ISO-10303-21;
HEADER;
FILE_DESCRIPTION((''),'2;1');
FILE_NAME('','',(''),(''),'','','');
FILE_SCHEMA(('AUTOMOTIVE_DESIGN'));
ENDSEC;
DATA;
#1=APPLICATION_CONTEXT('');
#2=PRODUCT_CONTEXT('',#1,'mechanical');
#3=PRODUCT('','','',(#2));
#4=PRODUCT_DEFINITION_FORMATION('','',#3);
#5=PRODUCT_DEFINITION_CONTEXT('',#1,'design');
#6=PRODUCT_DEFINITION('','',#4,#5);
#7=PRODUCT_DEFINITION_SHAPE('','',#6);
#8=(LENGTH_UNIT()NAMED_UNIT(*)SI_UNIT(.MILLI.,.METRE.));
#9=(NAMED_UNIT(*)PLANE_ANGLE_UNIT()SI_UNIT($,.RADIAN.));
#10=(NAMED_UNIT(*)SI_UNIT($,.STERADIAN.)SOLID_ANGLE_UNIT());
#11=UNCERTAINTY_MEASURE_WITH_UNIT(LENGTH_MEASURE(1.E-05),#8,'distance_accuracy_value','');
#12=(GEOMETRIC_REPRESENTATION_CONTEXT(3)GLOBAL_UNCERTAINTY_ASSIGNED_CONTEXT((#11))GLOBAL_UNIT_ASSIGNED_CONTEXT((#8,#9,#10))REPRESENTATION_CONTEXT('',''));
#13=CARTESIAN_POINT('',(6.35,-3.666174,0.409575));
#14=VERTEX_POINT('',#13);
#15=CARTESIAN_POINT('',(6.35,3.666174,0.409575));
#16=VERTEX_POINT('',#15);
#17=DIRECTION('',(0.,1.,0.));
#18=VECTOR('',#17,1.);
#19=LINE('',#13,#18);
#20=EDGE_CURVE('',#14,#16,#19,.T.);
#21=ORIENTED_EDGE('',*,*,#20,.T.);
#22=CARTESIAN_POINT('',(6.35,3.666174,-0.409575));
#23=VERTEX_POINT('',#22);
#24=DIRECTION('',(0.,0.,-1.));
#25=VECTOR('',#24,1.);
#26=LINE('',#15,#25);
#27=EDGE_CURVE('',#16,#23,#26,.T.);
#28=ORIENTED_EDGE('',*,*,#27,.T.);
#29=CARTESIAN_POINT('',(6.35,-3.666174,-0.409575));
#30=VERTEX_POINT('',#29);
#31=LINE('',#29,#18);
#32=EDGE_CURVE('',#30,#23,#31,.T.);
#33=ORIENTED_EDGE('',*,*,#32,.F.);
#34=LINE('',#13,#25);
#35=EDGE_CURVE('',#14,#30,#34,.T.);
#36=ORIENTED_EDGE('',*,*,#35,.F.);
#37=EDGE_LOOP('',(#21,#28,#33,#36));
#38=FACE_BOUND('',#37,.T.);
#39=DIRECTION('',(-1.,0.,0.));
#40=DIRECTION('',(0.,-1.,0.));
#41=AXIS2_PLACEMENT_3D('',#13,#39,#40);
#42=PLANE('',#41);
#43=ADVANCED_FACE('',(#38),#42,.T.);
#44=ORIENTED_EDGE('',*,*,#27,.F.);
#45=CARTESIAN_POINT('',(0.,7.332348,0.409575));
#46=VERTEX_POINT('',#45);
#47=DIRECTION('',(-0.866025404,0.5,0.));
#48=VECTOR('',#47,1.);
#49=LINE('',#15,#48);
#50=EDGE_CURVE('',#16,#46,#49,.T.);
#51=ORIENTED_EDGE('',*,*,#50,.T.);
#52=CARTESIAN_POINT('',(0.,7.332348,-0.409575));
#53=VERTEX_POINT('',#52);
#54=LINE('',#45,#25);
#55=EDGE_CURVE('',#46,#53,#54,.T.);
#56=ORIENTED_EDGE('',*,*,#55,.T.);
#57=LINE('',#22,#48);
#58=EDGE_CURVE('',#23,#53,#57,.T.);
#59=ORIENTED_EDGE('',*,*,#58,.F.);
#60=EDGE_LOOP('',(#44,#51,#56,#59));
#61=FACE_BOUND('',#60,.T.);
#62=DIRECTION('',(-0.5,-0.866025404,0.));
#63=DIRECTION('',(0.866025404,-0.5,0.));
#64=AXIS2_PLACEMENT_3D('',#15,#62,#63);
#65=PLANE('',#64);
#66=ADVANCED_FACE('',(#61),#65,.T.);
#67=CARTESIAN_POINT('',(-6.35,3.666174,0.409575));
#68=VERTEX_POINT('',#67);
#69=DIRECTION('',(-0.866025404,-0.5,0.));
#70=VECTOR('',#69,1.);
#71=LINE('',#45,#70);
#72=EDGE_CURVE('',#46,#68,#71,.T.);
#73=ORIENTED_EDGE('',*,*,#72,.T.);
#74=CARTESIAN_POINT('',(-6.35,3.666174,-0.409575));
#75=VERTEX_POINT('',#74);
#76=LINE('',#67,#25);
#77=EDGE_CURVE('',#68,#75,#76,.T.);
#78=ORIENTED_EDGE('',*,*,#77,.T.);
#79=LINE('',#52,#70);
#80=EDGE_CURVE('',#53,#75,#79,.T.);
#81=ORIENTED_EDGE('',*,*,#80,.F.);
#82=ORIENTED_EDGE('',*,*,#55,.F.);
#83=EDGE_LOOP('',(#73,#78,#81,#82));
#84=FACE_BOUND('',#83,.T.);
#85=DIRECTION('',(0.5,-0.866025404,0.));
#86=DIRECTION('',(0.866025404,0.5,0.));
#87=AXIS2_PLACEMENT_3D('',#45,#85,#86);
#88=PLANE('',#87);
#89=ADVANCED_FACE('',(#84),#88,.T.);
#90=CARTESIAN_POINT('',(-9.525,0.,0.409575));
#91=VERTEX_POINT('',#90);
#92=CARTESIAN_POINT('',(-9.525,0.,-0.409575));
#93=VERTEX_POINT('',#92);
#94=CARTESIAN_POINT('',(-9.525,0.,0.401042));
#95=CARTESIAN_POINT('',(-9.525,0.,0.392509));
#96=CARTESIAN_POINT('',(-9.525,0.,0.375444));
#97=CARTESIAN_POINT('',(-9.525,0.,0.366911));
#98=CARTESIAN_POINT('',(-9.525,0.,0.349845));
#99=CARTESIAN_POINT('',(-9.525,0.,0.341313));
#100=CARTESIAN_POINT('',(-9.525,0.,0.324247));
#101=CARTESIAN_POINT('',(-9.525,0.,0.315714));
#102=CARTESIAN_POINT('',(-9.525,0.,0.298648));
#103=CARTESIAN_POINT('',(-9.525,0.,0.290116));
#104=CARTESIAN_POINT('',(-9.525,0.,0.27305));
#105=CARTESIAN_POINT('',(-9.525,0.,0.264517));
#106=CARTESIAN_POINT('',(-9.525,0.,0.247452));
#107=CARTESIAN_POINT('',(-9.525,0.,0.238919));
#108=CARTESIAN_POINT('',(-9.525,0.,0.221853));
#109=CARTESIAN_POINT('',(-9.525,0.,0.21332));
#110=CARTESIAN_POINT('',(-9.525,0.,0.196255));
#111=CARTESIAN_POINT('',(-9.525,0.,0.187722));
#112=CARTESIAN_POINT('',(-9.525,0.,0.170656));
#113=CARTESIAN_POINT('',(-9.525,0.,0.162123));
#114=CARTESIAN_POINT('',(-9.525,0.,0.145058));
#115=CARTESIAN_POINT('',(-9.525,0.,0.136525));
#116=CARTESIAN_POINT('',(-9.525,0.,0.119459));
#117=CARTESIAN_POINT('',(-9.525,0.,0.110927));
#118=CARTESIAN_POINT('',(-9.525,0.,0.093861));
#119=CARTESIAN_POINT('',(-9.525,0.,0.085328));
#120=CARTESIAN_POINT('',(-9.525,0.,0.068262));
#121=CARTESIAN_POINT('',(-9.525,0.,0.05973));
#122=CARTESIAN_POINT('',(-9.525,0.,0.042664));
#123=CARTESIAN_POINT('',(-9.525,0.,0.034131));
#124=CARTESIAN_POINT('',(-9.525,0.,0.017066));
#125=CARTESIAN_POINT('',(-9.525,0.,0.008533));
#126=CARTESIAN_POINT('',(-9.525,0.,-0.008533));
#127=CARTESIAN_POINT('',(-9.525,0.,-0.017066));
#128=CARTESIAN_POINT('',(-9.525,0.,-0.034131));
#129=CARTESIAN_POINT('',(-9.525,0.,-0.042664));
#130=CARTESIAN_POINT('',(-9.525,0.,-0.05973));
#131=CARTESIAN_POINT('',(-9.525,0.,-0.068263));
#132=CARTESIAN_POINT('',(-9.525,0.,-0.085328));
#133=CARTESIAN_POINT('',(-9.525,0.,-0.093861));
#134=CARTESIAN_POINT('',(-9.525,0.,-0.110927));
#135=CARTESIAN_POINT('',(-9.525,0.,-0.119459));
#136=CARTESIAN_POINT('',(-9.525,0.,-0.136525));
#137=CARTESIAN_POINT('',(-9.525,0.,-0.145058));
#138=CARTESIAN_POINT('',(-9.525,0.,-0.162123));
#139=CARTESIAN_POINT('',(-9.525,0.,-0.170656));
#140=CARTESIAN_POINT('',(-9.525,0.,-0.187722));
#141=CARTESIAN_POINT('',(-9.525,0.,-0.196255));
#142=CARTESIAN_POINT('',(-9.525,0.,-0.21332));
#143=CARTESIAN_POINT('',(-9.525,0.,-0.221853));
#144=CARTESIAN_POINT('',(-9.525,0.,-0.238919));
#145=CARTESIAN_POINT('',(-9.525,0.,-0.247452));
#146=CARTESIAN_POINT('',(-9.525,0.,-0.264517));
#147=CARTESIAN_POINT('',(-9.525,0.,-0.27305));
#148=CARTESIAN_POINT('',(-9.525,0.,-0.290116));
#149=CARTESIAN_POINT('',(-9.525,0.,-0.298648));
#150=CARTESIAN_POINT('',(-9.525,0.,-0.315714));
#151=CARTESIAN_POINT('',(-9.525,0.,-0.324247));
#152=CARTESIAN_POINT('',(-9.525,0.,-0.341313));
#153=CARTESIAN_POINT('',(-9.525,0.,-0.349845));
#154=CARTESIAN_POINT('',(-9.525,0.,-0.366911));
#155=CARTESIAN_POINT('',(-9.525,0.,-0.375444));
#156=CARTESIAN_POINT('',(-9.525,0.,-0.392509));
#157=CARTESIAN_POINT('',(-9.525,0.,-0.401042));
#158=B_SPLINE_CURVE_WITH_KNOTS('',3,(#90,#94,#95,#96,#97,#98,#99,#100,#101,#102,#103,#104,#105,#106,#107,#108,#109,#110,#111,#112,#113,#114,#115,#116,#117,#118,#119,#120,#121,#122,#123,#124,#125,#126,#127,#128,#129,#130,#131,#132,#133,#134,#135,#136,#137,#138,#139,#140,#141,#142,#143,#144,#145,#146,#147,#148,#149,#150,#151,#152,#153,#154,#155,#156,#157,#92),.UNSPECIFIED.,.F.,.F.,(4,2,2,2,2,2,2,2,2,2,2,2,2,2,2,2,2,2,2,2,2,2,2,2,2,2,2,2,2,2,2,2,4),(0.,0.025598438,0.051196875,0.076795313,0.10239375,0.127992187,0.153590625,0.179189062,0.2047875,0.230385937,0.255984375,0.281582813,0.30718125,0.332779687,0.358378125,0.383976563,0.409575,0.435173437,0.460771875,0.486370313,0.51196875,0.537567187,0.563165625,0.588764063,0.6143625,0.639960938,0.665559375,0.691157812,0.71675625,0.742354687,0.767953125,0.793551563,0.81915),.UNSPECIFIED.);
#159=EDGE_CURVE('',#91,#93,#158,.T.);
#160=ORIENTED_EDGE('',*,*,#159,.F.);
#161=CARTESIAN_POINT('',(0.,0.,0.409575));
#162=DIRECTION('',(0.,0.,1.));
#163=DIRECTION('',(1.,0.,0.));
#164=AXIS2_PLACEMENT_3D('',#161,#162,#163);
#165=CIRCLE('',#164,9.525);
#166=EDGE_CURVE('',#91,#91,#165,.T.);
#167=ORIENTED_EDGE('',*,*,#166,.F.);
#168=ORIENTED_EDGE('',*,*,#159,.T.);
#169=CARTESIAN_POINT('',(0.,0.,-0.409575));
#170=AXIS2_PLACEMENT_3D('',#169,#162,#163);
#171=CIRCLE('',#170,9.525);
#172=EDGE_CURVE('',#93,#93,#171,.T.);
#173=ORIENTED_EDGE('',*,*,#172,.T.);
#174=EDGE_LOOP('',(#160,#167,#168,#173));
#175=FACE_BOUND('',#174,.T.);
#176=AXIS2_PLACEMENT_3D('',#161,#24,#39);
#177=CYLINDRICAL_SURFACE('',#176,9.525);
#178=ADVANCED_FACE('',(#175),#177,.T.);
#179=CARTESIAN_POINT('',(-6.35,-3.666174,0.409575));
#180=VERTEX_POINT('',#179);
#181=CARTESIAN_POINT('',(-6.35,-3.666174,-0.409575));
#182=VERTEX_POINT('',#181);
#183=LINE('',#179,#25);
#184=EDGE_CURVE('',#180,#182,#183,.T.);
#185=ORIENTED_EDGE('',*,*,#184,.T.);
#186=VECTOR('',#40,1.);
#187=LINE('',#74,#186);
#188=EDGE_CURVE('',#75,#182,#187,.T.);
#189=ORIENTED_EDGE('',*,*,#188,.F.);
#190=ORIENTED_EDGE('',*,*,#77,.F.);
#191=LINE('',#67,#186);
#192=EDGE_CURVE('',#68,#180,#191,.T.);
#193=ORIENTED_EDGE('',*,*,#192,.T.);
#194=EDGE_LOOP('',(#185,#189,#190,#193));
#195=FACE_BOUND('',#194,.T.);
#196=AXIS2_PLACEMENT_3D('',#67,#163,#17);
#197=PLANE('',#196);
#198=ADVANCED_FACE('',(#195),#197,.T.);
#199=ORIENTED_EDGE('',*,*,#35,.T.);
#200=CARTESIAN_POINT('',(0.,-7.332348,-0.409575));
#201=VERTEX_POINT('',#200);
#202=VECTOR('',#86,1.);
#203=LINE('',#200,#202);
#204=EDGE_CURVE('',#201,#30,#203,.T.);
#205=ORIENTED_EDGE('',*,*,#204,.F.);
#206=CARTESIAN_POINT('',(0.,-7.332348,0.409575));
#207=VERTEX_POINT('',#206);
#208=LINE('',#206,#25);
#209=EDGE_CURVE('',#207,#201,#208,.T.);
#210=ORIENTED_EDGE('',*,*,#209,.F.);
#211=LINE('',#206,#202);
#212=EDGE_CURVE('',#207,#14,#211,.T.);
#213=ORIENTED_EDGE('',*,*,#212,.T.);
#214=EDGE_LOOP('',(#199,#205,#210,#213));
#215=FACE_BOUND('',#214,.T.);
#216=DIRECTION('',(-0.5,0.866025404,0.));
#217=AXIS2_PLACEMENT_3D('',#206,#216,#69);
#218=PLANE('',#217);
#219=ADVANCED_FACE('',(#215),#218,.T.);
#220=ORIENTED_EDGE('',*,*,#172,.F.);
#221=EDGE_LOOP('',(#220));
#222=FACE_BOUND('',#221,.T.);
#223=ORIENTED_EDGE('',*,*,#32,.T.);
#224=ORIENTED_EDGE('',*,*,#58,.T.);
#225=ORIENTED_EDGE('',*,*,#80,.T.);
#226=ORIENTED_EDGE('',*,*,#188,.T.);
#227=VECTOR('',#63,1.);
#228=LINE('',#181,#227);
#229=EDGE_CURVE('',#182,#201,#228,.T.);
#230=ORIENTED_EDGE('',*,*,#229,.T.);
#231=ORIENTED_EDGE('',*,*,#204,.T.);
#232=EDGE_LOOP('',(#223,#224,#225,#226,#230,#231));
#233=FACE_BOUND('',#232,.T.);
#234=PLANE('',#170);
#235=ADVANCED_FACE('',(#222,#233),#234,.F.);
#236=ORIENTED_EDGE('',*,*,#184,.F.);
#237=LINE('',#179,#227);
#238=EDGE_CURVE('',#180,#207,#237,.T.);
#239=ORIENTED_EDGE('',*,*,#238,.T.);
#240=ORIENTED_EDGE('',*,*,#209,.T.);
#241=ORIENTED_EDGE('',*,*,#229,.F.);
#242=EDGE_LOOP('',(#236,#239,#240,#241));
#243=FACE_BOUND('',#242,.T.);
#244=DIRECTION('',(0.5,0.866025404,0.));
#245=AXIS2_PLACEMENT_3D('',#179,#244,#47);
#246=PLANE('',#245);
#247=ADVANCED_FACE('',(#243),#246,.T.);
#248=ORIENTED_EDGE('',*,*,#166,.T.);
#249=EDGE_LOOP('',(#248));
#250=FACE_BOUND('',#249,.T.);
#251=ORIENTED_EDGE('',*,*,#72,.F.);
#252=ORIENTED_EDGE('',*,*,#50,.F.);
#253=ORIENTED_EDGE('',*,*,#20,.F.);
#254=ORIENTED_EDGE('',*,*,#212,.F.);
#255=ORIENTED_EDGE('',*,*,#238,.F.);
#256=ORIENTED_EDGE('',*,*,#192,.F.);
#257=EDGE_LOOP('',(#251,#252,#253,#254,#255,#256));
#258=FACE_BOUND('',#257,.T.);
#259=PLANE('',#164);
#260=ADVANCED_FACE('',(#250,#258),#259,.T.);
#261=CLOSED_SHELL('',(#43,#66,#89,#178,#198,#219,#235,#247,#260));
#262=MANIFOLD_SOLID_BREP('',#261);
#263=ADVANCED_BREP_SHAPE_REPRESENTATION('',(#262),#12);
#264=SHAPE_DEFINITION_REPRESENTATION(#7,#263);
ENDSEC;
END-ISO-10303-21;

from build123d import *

# Parameters (mm, degrees)
SKETCH1_R           = 9.525
BOSS_EXTRUDE1_DEPTH = 0.409575


with BuildPart() as part:
    # Sketch1 → Boss-Extrude1 (new, symmetric)
    with BuildSketch(Plane.XY):
        with Locations(Location((0, 0, 0), (0, 0, 180))):
            Circle(SKETCH1_R)
        Polygon((0, 7.332348419), (-6.35, 3.666174209), (-6.35, -3.666174209), (0, -7.332348419), (6.35, -3.666174209), (6.35, 3.666174209), align=None, mode=Mode.SUBTRACT)
    extrude(amount=BOSS_EXTRUDE1_DEPTH, both=True)


solid = part.part
